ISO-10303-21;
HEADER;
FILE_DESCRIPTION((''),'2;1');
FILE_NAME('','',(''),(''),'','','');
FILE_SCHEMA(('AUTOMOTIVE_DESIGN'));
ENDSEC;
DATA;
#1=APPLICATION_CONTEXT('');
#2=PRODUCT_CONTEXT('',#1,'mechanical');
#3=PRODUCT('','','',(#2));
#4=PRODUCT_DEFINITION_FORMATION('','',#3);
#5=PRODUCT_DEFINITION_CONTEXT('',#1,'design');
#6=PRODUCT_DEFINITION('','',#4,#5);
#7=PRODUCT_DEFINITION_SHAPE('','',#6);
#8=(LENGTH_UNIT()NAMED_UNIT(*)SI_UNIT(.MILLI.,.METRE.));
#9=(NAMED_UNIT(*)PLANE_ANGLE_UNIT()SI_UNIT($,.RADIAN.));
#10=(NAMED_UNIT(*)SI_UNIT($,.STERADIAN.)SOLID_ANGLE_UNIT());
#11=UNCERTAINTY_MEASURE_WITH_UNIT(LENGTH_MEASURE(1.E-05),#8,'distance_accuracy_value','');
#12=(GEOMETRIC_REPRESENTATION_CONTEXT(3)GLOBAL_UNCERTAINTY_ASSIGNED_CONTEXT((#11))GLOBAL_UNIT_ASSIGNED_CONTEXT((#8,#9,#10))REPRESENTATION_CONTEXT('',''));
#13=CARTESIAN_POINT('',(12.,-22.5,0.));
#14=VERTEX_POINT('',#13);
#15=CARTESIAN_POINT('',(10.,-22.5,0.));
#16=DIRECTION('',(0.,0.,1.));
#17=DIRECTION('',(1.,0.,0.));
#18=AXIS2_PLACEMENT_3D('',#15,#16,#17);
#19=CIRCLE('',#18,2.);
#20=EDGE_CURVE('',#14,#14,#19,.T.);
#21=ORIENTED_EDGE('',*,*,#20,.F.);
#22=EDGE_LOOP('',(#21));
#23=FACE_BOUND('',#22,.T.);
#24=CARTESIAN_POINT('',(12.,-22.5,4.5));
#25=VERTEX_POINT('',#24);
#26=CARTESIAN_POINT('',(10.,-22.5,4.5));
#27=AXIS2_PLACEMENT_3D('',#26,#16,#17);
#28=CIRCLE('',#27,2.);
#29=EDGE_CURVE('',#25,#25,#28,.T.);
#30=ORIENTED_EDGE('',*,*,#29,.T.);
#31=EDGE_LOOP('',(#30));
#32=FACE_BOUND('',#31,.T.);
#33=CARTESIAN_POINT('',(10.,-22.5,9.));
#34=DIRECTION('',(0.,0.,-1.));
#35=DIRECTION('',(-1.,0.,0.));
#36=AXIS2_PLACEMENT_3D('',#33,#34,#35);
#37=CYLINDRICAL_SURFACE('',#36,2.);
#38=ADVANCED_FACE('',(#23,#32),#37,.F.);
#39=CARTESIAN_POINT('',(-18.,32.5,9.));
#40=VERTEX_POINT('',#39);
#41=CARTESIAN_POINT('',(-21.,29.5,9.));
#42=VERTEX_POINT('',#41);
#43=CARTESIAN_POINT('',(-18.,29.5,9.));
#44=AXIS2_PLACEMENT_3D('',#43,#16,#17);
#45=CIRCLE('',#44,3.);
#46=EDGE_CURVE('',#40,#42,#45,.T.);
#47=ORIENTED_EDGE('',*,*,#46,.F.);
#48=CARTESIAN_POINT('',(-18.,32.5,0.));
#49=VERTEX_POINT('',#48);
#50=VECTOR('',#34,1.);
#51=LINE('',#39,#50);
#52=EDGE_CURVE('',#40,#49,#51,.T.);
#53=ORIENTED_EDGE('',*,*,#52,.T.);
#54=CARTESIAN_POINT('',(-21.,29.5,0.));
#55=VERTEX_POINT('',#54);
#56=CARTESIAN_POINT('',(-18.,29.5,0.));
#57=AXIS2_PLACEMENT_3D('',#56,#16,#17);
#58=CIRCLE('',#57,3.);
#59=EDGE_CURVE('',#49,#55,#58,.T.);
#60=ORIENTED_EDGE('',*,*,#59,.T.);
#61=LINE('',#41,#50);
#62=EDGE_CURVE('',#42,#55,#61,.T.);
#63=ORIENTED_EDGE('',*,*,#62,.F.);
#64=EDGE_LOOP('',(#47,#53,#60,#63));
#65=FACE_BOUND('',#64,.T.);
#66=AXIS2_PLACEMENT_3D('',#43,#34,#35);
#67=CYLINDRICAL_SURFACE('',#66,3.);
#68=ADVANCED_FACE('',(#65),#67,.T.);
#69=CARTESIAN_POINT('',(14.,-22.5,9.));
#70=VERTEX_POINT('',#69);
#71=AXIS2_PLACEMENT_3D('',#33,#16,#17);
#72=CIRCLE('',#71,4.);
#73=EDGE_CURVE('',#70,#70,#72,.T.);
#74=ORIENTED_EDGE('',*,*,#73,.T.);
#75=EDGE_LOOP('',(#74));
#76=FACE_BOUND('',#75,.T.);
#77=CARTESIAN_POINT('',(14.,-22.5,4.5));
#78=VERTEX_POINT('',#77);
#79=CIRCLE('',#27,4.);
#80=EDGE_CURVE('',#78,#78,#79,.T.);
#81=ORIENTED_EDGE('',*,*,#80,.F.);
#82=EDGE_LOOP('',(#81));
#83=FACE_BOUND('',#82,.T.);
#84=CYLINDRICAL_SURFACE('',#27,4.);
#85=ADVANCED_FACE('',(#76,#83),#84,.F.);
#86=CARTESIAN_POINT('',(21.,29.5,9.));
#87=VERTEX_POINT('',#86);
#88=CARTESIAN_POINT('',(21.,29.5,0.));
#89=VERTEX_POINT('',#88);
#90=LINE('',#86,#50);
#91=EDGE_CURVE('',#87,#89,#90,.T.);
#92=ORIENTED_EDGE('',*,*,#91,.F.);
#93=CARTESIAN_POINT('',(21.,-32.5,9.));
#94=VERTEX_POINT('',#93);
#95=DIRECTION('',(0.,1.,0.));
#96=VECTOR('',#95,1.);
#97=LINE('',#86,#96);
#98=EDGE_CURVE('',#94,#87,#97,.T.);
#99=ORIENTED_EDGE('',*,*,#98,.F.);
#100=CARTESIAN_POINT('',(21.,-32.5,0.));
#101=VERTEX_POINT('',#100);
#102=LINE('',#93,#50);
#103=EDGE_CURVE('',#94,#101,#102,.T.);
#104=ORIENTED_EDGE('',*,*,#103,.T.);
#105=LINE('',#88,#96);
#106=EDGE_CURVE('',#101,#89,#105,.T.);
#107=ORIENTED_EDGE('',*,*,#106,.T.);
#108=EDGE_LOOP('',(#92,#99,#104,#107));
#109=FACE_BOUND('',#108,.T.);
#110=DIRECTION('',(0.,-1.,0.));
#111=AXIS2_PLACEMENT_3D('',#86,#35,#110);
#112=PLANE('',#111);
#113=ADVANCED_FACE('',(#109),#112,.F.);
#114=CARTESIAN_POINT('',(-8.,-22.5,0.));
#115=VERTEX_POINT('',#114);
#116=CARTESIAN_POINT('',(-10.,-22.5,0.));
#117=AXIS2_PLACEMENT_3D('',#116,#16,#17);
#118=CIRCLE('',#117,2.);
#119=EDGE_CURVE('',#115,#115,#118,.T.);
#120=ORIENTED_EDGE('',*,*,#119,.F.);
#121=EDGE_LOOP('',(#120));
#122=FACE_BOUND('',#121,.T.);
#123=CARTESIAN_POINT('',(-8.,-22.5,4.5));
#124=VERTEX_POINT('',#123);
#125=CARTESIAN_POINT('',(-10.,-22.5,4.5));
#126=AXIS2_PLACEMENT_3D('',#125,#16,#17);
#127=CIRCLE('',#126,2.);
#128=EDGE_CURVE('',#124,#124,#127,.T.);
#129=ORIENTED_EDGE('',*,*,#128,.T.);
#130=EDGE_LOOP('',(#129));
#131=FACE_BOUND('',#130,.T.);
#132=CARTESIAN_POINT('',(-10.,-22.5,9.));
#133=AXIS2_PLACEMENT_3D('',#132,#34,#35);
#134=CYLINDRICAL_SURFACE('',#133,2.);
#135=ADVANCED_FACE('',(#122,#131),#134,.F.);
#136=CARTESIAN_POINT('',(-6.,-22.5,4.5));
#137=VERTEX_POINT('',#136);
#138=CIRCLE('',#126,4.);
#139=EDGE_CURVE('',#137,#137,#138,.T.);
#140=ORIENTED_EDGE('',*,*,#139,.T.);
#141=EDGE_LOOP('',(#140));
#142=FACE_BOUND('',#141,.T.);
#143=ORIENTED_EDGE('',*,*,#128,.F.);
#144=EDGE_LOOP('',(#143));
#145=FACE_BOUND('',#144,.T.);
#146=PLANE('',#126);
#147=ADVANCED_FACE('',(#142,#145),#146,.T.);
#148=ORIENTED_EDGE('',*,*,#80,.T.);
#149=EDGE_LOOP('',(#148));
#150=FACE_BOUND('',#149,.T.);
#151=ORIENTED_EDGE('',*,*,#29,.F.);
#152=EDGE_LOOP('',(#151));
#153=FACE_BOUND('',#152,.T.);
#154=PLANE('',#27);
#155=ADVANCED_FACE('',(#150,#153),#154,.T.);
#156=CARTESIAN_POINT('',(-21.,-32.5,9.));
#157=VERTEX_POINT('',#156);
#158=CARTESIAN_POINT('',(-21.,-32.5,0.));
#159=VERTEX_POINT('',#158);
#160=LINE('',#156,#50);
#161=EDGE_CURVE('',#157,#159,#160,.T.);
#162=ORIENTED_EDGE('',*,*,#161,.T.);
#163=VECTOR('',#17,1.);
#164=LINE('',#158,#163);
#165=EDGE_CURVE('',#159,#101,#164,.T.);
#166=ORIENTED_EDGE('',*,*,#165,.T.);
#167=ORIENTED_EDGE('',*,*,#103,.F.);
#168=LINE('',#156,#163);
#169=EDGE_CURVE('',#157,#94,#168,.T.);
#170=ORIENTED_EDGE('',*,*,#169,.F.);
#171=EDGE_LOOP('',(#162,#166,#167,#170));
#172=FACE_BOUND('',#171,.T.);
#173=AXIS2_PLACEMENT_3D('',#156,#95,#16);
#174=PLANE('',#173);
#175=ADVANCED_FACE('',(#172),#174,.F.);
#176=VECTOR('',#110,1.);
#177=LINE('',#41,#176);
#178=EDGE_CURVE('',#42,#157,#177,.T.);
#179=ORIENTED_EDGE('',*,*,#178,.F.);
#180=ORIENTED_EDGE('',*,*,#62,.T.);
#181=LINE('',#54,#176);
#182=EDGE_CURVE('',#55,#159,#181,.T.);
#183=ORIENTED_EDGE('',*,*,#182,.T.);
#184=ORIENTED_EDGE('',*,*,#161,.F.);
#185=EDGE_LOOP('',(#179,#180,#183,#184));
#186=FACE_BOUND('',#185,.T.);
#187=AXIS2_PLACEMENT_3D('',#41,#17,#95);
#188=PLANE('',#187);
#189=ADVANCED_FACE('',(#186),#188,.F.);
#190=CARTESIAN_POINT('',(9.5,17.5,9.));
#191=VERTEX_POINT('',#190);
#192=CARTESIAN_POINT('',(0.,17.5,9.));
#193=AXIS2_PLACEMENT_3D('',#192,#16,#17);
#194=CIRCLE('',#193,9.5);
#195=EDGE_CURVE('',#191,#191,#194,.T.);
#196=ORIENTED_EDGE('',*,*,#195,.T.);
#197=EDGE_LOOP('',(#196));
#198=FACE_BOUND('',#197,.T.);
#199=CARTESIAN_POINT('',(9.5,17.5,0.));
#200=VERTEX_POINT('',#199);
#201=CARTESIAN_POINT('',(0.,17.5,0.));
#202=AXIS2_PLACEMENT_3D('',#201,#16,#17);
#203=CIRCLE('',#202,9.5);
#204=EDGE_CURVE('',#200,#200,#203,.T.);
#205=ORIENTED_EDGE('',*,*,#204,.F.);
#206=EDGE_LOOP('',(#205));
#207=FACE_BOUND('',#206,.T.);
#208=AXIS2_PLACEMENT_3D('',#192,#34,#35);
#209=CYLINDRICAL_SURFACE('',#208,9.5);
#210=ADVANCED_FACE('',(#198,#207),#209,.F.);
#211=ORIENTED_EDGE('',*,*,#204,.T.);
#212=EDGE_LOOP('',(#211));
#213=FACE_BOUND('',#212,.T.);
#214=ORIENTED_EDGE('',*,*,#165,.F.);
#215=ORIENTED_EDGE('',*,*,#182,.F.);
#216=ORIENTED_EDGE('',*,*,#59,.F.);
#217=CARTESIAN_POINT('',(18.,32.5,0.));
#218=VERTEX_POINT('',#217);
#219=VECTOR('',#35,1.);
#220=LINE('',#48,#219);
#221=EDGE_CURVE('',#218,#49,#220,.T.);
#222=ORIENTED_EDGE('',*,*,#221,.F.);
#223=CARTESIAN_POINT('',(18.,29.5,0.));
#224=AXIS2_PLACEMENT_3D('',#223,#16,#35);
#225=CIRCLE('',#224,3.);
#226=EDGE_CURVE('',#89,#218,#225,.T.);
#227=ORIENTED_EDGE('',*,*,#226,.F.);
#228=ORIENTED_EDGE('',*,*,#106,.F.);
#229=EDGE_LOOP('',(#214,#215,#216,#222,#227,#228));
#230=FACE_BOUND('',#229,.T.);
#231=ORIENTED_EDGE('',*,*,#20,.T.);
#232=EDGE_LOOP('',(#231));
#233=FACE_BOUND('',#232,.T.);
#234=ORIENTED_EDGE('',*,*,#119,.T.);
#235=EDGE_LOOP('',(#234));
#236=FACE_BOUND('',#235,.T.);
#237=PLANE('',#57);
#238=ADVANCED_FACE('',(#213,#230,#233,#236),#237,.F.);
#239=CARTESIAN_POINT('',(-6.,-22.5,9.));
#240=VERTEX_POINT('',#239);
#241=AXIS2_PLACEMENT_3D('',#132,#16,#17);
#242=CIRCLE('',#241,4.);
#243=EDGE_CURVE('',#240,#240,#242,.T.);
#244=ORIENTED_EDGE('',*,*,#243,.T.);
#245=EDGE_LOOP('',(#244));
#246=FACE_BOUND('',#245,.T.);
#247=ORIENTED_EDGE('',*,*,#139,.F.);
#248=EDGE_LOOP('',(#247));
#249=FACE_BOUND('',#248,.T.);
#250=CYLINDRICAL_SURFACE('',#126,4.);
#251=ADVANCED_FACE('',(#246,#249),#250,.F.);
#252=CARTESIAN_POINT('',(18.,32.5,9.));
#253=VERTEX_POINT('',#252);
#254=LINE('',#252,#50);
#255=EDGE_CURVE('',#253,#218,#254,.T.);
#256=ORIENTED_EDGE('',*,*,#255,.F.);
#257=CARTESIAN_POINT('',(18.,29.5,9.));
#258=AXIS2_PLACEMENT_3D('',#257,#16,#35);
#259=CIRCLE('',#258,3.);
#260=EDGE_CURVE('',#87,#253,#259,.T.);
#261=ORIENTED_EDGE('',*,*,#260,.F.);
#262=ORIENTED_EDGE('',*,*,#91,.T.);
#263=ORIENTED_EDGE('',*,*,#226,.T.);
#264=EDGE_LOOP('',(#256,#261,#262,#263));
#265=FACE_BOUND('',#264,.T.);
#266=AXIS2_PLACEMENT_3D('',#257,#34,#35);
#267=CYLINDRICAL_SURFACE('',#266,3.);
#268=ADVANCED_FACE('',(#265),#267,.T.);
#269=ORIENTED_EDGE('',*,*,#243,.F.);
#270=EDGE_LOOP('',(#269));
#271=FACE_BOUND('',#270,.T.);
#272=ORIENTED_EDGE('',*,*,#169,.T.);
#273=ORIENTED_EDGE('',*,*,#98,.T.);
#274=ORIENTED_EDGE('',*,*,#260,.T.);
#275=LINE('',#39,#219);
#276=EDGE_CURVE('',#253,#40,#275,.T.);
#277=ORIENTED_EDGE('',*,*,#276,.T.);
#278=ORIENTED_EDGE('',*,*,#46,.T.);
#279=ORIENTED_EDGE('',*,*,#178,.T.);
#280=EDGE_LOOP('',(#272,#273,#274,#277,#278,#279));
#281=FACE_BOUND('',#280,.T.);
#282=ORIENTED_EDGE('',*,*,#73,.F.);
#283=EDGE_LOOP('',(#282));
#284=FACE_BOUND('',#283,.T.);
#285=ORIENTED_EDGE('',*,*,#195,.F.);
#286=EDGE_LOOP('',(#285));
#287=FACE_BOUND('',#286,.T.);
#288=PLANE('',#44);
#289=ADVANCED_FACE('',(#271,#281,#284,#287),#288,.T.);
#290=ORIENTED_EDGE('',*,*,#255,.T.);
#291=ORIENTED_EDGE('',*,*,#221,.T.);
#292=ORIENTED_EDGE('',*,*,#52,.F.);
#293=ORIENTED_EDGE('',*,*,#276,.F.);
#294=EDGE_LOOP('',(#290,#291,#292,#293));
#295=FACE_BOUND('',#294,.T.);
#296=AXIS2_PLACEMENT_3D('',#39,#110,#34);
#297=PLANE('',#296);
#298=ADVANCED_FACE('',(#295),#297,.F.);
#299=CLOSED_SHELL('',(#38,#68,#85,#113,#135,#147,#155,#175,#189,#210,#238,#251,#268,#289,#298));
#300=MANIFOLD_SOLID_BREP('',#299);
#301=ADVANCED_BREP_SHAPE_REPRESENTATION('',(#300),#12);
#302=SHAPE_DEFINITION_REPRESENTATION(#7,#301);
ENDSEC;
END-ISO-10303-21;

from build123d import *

# Parameters (mm, degrees)
CROQUIS1_R              = 9.5
CROQUIS1_R_2            = 2
SALIENTE_EXTRUIR1_DEPTH = 9
CROQUIS2_R              = 4
CORTAR_EXTRUIR1_DEPTH   = 4.5


with BuildPart() as part:
    # Croquis1 → Saliente-Extruir1 (new body)
    with BuildSketch(Plane.XY):
        with BuildLine():
            Line((-18, 32.5), (18, 32.5))
            ThreePointArc((18, 32.5), (20.121320344, 31.621320344), (21, 29.5))
            Line((21, 29.5), (21, -32.5))
            Line((21, -32.5), (-21, -32.5))
            Line((-21, -32.5), (-21, 29.5))
            ThreePointArc((-21, 29.5), (-20.121320344, 31.621320344), (-18, 32.5))
        make_face()
        with Locations((0, 17.5)):
            Circle(CROQUIS1_R, mode=Mode.SUBTRACT)
        with Locations((10, -22.5)):
            Circle(CROQUIS1_R_2, mode=Mode.SUBTRACT)
        with Locations((-10, -22.5)):
            Circle(CROQUIS1_R_2, mode=Mode.SUBTRACT)
    extrude(amount=SALIENTE_EXTRUIR1_DEPTH)

    # Croquis2 → Cortar-Extruir1 (cut)
    with BuildSketch(Plane.XY.offset(9)):
        with Locations((-10, -22.5)):
            Circle(CROQUIS2_R)
        with Locations((10, -22.5)):
            Circle(CROQUIS2_R)
    extrude(amount=-CORTAR_EXTRUIR1_DEPTH, mode=Mode.SUBTRACT)


solid = part.part
